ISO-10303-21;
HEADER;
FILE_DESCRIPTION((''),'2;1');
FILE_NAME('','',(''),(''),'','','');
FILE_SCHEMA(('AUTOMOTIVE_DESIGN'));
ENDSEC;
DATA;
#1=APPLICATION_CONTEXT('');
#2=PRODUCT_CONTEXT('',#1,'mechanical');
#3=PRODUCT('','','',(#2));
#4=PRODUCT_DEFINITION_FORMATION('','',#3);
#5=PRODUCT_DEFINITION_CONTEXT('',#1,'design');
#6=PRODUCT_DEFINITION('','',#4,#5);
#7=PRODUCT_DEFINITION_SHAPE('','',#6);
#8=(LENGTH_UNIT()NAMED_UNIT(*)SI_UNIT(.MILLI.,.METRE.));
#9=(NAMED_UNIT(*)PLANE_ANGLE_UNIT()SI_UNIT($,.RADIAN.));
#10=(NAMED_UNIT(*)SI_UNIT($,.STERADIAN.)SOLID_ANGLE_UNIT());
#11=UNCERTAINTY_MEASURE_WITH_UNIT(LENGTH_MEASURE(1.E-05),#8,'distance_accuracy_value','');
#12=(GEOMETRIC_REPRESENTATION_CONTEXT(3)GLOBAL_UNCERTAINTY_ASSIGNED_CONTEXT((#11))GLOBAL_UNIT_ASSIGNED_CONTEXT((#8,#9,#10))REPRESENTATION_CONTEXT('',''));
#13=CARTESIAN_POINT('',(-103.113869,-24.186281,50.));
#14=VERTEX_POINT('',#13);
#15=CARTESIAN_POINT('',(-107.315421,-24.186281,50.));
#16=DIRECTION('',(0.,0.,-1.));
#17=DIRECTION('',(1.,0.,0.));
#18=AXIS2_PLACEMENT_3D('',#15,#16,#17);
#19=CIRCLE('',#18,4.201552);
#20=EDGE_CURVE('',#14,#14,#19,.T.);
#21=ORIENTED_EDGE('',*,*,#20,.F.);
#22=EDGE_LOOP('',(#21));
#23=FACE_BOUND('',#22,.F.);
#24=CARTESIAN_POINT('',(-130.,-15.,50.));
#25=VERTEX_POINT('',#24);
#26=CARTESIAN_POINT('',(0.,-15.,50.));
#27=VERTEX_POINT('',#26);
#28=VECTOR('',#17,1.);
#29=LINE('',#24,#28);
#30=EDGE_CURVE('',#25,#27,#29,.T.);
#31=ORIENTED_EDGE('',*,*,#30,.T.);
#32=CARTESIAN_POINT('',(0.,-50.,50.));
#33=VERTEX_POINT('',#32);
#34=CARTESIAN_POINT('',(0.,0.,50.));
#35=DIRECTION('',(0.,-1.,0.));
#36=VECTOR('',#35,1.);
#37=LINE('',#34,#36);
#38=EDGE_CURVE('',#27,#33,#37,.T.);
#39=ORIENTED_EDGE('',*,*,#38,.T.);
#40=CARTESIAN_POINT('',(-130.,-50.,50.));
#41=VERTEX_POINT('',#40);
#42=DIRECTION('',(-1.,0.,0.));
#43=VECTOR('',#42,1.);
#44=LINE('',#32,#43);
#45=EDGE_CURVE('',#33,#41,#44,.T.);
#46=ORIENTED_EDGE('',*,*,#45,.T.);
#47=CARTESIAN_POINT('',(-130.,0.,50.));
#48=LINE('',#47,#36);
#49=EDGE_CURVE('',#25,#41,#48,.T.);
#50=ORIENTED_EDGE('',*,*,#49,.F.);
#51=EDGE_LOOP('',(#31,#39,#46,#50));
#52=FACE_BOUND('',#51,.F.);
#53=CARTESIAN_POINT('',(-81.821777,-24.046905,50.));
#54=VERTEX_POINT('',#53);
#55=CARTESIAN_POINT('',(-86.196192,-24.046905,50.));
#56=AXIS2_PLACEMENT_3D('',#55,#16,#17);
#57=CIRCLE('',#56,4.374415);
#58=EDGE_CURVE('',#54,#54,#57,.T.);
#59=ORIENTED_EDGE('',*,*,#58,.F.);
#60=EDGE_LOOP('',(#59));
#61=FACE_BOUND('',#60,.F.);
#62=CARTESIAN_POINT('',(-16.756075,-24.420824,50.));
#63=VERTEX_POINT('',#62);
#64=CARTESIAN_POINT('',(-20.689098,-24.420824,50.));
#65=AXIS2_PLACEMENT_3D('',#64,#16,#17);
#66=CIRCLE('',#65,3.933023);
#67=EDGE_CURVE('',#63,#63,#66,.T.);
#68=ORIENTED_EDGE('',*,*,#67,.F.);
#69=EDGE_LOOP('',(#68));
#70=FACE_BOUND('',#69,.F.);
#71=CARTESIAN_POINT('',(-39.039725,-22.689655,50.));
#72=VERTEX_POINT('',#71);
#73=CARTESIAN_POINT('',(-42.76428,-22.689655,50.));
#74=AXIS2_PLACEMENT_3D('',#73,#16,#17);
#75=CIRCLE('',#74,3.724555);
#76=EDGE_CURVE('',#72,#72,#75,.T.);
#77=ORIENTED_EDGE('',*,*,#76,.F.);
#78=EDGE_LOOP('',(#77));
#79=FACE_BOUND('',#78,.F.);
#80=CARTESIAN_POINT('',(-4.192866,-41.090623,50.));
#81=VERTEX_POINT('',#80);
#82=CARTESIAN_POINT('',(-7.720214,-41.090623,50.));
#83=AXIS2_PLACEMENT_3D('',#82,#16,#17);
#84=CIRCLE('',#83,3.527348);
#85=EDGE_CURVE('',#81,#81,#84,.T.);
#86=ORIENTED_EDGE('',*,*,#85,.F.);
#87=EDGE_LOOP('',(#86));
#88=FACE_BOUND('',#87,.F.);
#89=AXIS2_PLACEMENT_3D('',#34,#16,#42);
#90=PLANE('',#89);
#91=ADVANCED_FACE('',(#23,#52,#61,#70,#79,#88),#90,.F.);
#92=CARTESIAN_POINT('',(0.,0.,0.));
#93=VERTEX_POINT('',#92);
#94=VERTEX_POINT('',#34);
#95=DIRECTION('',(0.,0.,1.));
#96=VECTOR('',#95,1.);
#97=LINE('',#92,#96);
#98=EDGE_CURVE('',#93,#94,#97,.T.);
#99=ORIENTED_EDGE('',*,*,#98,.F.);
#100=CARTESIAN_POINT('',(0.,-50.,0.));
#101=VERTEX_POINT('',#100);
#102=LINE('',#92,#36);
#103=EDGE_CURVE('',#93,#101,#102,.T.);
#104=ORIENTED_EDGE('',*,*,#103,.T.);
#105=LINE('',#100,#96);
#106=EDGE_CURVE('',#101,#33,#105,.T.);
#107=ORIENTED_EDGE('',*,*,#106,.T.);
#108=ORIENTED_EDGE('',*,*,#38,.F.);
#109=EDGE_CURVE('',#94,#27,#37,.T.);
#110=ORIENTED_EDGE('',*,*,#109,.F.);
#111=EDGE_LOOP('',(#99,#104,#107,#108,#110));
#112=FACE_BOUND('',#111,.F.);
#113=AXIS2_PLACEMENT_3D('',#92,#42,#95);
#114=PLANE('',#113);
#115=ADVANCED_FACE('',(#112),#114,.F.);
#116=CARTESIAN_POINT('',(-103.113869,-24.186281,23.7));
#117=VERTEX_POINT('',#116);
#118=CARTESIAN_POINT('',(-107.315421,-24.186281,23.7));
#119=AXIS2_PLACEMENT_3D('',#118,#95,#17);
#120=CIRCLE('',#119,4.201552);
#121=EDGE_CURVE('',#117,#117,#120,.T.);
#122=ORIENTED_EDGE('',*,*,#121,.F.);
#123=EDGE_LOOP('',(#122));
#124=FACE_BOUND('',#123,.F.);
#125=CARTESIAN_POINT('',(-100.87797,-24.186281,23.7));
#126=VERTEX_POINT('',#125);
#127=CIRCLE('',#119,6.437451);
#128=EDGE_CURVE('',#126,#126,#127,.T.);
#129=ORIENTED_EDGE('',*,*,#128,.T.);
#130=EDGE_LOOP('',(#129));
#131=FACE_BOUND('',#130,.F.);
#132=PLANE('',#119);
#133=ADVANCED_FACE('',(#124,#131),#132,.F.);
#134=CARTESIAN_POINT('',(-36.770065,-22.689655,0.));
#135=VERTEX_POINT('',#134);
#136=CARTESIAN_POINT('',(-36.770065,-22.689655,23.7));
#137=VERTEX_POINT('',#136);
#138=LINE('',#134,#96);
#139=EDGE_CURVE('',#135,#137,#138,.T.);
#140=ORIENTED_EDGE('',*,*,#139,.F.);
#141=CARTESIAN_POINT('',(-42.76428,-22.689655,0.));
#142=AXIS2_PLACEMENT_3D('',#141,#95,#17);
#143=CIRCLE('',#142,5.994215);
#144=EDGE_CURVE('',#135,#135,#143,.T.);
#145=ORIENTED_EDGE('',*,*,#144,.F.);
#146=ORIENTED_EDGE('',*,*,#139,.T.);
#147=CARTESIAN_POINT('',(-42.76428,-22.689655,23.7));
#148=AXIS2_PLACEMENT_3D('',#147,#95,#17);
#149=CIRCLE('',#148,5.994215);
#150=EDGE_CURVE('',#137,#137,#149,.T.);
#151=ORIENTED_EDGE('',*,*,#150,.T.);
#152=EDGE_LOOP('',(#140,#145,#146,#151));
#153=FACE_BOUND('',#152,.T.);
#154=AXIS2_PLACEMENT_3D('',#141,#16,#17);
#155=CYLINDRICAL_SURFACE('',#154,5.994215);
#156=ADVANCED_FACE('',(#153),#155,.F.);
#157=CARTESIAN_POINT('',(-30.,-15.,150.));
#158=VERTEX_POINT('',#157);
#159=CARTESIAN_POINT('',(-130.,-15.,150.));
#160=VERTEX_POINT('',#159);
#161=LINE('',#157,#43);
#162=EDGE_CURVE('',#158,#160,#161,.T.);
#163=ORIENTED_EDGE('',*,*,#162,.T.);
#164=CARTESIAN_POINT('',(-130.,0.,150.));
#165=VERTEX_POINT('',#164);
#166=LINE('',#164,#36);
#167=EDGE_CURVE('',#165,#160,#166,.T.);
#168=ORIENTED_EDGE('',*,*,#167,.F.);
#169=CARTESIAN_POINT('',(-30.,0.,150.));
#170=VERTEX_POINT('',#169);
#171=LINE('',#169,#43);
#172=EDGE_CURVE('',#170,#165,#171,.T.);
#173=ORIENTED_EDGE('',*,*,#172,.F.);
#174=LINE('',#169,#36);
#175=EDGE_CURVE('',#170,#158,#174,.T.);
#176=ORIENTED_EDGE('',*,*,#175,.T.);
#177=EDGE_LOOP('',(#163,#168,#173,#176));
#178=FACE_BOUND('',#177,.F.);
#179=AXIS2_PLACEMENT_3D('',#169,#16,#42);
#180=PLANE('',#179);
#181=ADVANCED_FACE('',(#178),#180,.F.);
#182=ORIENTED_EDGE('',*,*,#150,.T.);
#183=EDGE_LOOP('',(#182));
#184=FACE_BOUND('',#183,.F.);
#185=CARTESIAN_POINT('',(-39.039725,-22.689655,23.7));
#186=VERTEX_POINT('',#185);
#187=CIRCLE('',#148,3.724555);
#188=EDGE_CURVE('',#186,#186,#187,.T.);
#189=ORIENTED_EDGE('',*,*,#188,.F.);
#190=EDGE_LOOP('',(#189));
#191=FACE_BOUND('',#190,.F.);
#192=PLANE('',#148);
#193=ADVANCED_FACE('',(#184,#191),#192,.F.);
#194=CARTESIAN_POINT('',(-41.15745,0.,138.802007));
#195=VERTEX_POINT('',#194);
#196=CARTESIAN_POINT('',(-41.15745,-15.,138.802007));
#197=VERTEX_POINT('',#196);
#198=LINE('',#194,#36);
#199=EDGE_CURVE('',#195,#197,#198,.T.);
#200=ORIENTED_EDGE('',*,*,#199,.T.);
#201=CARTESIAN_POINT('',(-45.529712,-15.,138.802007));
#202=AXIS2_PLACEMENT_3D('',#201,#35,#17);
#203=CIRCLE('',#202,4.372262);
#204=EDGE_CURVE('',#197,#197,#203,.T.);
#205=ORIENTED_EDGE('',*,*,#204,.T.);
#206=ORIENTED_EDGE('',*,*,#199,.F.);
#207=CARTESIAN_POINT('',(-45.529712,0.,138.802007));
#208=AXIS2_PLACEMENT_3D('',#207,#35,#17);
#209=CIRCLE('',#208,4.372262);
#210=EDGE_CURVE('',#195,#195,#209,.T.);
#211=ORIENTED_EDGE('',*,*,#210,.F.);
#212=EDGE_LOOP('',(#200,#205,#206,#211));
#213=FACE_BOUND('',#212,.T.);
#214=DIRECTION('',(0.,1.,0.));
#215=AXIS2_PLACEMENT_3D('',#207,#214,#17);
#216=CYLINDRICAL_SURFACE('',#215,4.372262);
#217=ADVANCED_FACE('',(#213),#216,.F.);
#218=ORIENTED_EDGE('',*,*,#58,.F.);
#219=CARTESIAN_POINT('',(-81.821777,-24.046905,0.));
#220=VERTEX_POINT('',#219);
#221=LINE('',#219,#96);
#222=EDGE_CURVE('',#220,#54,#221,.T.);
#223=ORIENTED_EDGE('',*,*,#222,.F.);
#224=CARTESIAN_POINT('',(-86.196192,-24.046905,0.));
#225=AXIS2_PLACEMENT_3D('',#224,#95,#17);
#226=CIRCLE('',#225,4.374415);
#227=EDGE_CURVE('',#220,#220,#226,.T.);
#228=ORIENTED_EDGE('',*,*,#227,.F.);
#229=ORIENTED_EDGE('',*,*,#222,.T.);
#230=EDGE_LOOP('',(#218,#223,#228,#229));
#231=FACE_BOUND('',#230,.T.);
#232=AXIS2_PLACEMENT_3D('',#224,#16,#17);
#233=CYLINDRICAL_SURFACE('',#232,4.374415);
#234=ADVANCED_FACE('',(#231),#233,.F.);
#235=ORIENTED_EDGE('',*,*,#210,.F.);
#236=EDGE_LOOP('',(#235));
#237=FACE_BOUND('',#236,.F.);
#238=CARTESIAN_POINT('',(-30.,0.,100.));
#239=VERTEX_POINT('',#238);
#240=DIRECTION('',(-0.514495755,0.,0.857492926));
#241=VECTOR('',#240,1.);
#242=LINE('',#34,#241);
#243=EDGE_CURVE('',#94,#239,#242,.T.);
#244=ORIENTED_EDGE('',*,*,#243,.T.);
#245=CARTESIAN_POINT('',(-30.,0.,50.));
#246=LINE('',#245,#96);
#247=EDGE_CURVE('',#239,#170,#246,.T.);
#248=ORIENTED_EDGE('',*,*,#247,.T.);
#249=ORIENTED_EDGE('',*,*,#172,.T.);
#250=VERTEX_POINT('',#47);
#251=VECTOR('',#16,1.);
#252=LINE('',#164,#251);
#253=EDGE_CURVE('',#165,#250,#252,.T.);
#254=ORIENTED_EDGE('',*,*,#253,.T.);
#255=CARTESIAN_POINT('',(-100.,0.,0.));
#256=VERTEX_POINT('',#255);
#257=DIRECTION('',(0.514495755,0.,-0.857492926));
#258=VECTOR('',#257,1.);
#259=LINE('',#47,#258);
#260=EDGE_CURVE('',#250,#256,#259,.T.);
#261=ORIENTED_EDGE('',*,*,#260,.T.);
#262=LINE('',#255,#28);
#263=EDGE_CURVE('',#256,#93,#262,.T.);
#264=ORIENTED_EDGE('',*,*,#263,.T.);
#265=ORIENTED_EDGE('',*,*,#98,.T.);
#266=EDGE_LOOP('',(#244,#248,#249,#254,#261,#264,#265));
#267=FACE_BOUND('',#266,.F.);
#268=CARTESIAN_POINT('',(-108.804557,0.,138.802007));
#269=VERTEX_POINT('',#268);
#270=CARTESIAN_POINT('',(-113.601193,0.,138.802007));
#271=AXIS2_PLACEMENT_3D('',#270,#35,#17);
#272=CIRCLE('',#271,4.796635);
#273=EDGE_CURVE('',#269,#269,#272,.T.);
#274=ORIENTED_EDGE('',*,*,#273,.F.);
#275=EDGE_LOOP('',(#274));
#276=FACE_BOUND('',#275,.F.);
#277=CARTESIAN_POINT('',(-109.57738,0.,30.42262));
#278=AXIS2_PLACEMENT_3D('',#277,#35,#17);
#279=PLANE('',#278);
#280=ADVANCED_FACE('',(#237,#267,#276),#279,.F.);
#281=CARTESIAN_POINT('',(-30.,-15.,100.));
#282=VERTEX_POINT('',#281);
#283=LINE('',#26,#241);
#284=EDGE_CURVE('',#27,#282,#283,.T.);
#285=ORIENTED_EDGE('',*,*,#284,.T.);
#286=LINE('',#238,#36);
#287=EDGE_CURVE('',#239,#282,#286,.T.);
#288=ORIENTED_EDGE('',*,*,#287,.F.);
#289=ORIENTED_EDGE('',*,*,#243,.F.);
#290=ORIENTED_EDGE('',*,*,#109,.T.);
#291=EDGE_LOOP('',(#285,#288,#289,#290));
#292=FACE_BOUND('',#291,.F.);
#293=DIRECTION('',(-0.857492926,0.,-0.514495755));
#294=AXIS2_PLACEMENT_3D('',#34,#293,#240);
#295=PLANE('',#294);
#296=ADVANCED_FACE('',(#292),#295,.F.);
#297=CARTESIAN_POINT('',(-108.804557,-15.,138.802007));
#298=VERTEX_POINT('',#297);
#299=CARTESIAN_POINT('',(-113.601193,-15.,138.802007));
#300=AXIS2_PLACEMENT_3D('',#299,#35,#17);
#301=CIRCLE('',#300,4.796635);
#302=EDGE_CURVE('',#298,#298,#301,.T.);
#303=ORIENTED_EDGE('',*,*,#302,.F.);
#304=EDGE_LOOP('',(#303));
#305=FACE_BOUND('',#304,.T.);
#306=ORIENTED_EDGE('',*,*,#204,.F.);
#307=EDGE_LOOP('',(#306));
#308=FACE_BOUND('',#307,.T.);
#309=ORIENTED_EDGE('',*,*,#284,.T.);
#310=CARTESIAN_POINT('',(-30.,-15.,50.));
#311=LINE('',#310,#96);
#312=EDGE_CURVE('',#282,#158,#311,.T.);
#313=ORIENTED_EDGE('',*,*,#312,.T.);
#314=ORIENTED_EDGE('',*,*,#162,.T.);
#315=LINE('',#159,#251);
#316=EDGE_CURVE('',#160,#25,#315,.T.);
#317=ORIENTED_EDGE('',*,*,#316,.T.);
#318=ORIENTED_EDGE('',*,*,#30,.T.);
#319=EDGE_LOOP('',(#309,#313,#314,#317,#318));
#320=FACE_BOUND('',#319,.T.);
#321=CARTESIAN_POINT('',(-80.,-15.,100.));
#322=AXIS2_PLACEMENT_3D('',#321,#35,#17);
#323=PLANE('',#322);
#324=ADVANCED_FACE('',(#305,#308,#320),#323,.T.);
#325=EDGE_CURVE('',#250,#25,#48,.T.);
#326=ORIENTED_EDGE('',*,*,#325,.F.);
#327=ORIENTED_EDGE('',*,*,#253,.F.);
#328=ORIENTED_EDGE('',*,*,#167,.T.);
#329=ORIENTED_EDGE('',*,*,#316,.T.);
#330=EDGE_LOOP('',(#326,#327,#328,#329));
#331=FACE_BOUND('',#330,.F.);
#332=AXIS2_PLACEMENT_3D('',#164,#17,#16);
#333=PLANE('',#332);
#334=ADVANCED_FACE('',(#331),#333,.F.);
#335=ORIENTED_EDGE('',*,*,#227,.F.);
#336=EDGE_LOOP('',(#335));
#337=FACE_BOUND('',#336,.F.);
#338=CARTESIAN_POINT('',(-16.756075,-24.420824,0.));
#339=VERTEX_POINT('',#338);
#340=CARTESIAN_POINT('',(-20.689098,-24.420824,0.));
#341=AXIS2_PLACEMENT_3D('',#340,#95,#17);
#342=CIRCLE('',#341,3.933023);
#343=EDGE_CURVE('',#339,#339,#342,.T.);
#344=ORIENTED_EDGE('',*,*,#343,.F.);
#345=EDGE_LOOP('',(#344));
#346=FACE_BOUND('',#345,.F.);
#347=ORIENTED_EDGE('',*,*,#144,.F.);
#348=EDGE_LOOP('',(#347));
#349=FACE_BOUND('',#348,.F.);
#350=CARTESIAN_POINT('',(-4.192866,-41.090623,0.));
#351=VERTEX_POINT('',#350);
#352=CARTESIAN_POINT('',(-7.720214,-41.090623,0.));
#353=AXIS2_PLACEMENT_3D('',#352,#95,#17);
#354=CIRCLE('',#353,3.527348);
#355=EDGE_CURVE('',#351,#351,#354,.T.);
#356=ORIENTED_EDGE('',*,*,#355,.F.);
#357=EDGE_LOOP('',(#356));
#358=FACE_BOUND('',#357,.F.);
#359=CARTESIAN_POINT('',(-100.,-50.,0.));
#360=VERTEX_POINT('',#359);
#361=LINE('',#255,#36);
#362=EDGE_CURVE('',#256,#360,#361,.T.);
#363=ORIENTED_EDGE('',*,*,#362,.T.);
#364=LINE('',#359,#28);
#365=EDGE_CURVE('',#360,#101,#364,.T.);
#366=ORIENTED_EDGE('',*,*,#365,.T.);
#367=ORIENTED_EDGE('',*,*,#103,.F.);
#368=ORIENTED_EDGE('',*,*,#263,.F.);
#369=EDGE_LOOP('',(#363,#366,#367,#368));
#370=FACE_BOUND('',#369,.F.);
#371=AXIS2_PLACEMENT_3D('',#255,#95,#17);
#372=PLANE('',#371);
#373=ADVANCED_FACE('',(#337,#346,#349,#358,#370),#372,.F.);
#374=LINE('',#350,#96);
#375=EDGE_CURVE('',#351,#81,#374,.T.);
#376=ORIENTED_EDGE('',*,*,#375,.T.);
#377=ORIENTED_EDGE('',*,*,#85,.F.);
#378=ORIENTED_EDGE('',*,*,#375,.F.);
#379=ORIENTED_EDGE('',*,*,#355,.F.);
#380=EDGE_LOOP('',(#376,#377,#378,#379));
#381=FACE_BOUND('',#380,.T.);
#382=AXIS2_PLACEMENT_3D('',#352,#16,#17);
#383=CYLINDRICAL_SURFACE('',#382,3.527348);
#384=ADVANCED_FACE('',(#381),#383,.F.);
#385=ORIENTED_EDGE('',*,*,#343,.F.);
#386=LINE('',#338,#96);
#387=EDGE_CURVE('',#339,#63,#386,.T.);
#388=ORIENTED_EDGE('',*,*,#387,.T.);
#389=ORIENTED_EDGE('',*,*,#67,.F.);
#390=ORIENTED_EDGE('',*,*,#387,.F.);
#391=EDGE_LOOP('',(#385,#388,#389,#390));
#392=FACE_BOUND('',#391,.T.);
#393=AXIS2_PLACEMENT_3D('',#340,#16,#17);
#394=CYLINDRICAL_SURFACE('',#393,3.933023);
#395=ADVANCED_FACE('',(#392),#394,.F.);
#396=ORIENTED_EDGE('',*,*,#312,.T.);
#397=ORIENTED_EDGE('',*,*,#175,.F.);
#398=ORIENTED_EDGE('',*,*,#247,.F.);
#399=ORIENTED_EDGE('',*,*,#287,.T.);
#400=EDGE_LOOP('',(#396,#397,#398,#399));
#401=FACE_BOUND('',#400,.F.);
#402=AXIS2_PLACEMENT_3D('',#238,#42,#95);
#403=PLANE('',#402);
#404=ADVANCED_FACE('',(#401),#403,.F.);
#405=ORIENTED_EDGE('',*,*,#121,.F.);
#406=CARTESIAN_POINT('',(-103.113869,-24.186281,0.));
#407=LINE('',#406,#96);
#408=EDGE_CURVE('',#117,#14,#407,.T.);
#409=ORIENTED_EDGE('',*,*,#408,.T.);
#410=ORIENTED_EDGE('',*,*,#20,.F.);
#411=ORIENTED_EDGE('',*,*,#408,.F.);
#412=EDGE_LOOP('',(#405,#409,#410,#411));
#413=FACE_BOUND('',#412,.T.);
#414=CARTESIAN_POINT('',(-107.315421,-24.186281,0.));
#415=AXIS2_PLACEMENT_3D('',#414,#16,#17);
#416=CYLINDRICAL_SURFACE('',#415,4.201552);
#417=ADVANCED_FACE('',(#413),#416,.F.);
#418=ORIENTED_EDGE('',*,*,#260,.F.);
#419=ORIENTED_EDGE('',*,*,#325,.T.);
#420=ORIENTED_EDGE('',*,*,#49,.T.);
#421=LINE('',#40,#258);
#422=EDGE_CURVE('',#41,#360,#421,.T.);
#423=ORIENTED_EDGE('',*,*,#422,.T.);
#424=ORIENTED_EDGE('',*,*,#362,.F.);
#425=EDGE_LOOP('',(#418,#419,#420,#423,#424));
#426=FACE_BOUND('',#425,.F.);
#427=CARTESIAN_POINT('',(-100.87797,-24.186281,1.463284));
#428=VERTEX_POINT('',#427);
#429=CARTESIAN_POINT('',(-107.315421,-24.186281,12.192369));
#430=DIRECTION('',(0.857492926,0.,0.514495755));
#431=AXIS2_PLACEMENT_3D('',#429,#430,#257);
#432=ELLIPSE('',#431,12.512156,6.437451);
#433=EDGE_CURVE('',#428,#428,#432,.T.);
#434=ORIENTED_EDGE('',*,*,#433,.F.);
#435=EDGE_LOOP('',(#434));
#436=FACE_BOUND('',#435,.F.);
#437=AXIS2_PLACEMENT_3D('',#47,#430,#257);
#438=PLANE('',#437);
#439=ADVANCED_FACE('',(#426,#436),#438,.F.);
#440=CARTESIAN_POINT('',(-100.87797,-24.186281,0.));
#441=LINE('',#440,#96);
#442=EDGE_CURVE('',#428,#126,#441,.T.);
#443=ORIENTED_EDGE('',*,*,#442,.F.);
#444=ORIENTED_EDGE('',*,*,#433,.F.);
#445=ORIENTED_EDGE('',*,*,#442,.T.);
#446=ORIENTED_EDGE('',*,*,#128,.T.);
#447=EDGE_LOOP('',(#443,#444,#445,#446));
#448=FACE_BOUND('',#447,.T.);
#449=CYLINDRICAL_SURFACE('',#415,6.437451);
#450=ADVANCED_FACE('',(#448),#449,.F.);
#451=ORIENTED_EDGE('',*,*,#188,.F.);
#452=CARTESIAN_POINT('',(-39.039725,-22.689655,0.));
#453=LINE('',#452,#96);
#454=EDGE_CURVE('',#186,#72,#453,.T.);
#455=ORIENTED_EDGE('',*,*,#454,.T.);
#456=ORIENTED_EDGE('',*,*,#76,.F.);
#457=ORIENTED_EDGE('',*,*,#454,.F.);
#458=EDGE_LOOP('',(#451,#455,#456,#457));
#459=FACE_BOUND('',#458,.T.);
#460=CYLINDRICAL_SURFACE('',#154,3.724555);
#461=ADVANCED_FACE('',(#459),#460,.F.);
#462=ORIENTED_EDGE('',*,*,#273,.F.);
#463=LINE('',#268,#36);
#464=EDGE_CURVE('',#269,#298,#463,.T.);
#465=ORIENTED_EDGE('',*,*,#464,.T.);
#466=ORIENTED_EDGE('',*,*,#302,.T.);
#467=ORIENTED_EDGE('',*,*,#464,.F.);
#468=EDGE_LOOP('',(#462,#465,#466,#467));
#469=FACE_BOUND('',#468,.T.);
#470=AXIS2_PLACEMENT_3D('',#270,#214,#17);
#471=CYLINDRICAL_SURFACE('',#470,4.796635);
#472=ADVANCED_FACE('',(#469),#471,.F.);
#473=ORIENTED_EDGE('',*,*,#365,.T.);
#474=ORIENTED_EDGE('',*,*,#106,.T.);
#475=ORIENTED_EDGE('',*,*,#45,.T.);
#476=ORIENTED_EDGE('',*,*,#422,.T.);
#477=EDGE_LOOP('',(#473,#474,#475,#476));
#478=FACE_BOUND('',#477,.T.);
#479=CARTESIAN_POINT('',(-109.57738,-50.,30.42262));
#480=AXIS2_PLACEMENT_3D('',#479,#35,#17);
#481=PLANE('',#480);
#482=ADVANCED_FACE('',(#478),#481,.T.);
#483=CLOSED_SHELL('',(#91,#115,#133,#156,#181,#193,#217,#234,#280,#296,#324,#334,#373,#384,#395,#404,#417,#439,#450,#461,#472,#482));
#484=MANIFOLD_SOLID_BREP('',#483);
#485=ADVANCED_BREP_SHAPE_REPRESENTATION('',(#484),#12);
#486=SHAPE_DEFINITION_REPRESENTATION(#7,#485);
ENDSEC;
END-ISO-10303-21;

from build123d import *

# Parameters (mm, degrees)
F0_R     = 4.7966354506
F0_R_2   = 4.3722617323
F1_DEPTH = 15
F2_DEPTH = 50
F3_R     = 3.9330231178
F3_R_2   = 4.374414862
F3_R_3   = 4.2015516797
F3_R_4   = 3.7245553563
F3_R_5   = 3.5273482247
F4_DEPTH = 69
F3_R_6   = 6.4374509429
F3_R_7   = 5.9942154244
F5_DEPTH = 23.7


with BuildPart() as f1:
    # F0 (on Front) → F1 (new body)
    with BuildSketch(Plane.XZ):
        Polygon((-130, 50), (-100, 50), (-30, 50), (-30, 100), (-30, 150), (-130, 150), align=None)
        with Locations((-113.601192832, 138.8020068407)):
            Circle(F0_R, mode=Mode.SUBTRACT)
        with Locations((-45.5297119915, 138.8020068407)):
            Circle(F0_R_2, mode=Mode.SUBTRACT)
        Polygon((-30, 50), (0, 50), (-30, 100), align=None)
    extrude(amount=F1_DEPTH)

    # F0 (on Front) → F2 (join)
    with BuildSketch(Plane.XZ):
        Polygon((-130, 50), (-100, 0), (-100, 50), align=None)
        Polygon((-100, 0), (0, 0), (0, 50), (-30, 50), (-100, 50), align=None)
    extrude(amount=F2_DEPTH)

    # F3 (on Top) → F4 (cut)
    with BuildSketch(Plane.XY):
        with Locations((-20.6890981644, -24.4208239019)):
            Circle(F3_R)
        with Locations((-86.1961916089, -24.0469053388)):
            Circle(F3_R_2)
        with Locations((-107.3154211044, -24.1862814873)):
            Circle(F3_R_3)
        with Locations((-42.7642799914, -22.6896554232)):
            Circle(F3_R_4)
        with Locations((-7.7202138491, -41.0906225443)):
            Circle(F3_R_5)
    extrude(amount=F4_DEPTH, mode=Mode.SUBTRACT)

    # F3 (on Top) → F5 (cut)
    with BuildSketch(Plane.XY):
        with Locations((-107.3154211044, -24.1862814873)):
            Circle(F3_R_6)
        with Locations((-107.3154211044, -24.1862814873)):
            Circle(F3_R_3, mode=Mode.SUBTRACT)
        with Locations((-42.7642799914, -22.6896554232)):
            Circle(F3_R_7)
        with Locations((-42.7642799914, -22.6896554232)):
            Circle(F3_R_4, mode=Mode.SUBTRACT)
    extrude(amount=F5_DEPTH, mode=Mode.SUBTRACT)


solid = f1.part
